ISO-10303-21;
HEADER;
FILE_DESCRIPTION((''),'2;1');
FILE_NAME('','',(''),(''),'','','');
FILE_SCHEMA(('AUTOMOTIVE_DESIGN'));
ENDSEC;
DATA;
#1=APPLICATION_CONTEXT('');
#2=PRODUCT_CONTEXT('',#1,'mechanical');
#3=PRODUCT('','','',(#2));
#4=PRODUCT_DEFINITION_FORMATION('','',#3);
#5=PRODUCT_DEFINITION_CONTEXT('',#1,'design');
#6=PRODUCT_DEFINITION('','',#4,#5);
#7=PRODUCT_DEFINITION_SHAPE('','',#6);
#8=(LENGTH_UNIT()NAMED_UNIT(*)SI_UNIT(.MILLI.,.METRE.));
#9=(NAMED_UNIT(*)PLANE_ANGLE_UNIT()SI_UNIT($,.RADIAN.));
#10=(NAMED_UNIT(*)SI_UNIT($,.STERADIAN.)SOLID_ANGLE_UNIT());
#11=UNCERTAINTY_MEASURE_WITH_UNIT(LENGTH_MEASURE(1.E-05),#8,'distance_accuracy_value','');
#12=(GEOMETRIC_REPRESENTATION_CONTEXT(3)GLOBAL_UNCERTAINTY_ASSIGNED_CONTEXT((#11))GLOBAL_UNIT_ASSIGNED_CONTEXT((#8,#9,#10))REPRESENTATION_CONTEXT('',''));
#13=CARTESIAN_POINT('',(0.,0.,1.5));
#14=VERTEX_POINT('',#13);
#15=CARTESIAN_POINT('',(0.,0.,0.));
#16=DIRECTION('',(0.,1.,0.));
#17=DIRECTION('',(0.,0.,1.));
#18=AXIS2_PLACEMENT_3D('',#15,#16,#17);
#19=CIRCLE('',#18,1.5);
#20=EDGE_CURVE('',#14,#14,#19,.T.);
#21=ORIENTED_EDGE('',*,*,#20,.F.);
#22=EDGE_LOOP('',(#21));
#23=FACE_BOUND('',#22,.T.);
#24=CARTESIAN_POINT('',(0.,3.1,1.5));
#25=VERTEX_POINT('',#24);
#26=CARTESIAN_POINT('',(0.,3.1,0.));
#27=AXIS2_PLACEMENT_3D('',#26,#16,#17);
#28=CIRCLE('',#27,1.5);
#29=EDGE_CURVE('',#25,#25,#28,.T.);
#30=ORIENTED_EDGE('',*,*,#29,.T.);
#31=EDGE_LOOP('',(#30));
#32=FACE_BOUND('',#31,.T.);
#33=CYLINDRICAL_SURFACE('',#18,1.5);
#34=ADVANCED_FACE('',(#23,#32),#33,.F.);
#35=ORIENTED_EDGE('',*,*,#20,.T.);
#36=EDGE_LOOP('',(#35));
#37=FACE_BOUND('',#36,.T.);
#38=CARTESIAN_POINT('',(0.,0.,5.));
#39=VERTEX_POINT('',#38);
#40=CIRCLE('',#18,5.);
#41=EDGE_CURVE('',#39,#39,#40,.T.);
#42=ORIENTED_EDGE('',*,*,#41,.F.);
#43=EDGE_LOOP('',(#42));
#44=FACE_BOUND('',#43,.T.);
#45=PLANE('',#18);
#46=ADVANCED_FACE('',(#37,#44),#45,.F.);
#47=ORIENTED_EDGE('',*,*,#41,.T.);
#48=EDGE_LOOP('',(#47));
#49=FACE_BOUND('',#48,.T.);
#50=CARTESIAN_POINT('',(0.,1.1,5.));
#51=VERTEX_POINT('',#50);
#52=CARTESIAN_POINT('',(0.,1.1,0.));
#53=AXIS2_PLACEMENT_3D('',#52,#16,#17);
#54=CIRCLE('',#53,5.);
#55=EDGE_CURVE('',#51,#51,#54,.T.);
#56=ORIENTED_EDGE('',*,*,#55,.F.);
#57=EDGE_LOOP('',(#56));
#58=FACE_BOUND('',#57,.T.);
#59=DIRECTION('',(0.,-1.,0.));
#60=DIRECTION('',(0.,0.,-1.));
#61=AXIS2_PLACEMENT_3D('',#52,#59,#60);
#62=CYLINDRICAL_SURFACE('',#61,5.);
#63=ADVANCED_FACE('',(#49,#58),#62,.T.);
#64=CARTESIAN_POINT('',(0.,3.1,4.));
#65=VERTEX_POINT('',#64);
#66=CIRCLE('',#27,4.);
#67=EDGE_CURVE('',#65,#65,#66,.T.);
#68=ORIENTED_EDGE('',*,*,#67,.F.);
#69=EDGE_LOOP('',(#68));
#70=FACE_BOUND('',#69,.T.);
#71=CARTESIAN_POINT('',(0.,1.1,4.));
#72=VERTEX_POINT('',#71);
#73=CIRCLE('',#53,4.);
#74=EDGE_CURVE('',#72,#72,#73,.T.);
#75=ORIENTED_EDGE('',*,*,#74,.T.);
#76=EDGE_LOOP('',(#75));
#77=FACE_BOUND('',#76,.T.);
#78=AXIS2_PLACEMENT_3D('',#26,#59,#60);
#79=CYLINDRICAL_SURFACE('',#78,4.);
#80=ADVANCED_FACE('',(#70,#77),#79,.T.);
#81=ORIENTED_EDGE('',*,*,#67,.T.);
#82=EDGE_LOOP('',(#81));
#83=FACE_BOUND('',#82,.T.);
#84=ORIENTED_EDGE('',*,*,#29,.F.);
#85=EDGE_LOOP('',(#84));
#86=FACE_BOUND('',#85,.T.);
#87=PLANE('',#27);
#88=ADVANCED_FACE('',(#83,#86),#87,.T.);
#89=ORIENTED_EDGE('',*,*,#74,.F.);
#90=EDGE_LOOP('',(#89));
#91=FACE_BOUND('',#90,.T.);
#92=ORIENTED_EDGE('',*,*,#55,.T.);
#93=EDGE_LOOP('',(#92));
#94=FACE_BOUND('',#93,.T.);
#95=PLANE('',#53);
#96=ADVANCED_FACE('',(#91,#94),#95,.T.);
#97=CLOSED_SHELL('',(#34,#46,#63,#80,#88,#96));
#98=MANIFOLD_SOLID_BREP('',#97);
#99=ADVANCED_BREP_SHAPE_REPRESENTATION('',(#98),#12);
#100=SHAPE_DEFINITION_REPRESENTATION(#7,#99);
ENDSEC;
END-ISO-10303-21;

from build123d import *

# Parameters (mm, degrees)
SKETCH1_R           = 5
BOSS_EXTRUDE1_DEPTH = 1.1
SKETCH3_R           = 4
BOSS_EXTRUDE2_DEPTH = 2
SKETCH4_R           = 1.5
CUT_EXTRUDE1_DEPTH  = 8.720751259


with BuildPart() as part:
    # Sketch1 → Boss-Extrude1 (new body)
    with BuildSketch(Plane(origin=(0, 0, 0), x_dir=(1, 0, 0), z_dir=(0, 1, 0))):
        with Locations(Location((0, 0, 0), (0, 0, 270))):
            Circle(SKETCH1_R)
    extrude(amount=BOSS_EXTRUDE1_DEPTH)

    # Sketch3 → Boss-Extrude2 (add)
    with BuildSketch(Plane(origin=(0, 1.1, 0), x_dir=(1, 0, 0), z_dir=(0, 1, 0))):
        with Locations(Location((0, 0, 0), (0, 0, 270))):
            Circle(SKETCH3_R)
    extrude(amount=BOSS_EXTRUDE2_DEPTH)

    # Sketch4 → Cut-Extrude1 (cut, through all)
    with BuildSketch(Plane(origin=(0, 3.1, 0), x_dir=(1, 0, 0), z_dir=(0, 1, 0))):
        with Locations(Location((0, 0, 0), (0, 0, 270))):
            Circle(SKETCH4_R)
    extrude(amount=-CUT_EXTRUDE1_DEPTH, mode=Mode.SUBTRACT)


solid = part.part
